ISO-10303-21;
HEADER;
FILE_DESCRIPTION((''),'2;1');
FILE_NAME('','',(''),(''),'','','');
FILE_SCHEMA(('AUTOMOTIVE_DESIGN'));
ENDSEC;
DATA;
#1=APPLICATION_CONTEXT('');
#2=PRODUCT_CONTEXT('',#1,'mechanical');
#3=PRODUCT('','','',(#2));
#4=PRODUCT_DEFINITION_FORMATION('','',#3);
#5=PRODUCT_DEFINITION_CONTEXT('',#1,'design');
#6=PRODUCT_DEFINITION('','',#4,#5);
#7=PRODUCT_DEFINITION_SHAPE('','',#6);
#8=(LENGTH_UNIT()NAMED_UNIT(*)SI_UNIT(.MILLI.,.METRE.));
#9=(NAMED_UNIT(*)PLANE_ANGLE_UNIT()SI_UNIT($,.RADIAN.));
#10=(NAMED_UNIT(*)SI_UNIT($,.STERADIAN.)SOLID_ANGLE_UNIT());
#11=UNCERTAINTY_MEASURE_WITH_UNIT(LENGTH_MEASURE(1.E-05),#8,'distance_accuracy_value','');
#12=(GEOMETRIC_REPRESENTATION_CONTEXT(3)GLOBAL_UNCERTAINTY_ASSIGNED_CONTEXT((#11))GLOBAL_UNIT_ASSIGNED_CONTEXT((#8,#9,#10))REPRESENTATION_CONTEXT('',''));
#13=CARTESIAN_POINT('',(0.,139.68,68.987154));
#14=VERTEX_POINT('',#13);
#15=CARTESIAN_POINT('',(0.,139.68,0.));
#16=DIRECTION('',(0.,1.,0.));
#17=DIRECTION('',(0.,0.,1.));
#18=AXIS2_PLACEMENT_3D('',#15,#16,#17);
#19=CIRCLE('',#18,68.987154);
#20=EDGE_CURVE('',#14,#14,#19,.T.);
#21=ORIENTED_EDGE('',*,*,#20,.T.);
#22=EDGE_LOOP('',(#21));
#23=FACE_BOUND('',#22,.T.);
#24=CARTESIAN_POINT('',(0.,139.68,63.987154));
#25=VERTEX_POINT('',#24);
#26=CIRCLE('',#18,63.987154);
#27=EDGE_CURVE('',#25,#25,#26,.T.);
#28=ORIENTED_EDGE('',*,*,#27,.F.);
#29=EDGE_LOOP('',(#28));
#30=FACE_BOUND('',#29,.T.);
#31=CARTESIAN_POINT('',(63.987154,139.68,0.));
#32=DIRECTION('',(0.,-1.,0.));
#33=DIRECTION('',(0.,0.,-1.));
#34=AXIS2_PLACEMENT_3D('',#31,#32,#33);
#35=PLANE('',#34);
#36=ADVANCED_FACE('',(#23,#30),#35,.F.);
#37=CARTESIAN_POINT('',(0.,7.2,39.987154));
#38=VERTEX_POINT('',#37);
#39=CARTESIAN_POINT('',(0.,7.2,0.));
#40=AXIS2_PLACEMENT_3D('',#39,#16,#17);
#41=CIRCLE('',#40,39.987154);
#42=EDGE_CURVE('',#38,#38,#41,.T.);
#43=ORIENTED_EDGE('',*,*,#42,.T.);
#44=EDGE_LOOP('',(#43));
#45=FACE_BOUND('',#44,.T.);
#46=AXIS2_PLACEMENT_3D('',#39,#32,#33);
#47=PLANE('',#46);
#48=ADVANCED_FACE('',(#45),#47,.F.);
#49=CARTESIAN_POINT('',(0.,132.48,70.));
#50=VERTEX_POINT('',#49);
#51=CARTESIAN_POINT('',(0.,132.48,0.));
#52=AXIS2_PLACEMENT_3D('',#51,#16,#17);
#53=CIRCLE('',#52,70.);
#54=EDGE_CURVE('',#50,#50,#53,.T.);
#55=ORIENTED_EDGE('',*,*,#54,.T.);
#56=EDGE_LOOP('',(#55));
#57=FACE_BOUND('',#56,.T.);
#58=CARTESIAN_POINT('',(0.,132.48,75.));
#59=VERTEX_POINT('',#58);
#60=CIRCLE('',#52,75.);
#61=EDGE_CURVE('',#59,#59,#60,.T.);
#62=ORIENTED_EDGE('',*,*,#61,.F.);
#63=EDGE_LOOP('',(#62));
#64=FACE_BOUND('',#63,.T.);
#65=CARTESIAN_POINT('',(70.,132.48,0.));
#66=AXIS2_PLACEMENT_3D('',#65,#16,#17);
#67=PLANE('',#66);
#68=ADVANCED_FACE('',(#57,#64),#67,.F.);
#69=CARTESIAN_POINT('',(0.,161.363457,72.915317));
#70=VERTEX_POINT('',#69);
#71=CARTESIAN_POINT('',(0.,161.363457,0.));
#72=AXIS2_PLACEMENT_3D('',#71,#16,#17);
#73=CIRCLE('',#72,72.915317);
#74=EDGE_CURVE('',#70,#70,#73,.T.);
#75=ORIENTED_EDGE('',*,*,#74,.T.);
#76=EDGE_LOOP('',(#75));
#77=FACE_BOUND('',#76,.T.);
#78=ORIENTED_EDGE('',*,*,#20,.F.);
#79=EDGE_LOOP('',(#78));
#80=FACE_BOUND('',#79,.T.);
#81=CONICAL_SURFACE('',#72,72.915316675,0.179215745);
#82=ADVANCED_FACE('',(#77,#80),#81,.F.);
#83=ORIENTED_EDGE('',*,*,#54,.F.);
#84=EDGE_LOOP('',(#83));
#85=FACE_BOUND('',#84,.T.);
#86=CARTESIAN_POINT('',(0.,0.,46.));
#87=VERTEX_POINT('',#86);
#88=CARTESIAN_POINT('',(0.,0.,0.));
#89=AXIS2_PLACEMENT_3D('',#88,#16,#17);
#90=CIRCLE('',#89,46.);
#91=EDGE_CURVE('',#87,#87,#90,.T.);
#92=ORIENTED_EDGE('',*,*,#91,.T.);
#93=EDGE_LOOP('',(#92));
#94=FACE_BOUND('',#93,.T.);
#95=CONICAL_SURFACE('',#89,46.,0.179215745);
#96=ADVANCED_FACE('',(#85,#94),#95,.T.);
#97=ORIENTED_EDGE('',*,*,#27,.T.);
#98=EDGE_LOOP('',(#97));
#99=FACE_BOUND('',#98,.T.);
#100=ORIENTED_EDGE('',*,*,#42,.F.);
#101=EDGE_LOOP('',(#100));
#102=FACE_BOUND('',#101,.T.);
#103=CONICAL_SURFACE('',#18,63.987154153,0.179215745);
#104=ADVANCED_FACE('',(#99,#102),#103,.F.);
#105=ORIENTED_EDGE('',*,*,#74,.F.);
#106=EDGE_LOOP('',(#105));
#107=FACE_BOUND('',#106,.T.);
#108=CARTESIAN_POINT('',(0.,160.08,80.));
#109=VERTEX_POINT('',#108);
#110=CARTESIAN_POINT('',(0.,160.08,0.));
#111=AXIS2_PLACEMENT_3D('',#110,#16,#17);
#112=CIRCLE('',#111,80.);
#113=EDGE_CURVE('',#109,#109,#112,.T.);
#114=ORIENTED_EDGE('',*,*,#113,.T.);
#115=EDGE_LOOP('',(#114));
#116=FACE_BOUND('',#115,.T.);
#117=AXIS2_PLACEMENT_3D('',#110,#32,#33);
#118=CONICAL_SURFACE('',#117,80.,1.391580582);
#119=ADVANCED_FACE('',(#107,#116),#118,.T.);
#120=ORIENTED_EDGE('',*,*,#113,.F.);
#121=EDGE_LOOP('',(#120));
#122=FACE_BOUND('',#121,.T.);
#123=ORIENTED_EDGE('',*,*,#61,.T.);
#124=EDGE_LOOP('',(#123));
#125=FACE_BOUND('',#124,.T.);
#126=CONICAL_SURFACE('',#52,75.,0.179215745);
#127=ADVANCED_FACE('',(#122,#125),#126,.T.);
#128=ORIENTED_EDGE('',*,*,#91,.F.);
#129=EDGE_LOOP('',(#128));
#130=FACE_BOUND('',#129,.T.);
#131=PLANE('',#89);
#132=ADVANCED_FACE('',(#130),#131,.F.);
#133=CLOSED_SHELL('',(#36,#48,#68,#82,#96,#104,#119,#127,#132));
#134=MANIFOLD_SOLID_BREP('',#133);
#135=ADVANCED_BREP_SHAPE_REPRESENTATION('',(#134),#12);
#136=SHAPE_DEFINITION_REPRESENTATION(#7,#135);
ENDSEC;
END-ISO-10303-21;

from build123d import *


with BuildPart() as part:
    # Sketch1 → Revolve1 (revolve)
    with BuildSketch(Plane.XY, mode=Mode.PRIVATE) as revolve1_sk:
        Polygon((0, 0), (46, 0), (70, 132.48), (75, 132.48), (80, 160.08), (72.915316675, 161.363457124), (68.987154153, 139.68), (63.987154153, 139.68), (39.987154153, 7.2), (0, 7.2), align=None)
    revolve(revolve1_sk.sketch.rotate(Axis((0, 7.2, 0), (0, -1, 0)), 90), axis=Axis((0, 7.2, 0), (0, -1, 0)))


solid = part.part
